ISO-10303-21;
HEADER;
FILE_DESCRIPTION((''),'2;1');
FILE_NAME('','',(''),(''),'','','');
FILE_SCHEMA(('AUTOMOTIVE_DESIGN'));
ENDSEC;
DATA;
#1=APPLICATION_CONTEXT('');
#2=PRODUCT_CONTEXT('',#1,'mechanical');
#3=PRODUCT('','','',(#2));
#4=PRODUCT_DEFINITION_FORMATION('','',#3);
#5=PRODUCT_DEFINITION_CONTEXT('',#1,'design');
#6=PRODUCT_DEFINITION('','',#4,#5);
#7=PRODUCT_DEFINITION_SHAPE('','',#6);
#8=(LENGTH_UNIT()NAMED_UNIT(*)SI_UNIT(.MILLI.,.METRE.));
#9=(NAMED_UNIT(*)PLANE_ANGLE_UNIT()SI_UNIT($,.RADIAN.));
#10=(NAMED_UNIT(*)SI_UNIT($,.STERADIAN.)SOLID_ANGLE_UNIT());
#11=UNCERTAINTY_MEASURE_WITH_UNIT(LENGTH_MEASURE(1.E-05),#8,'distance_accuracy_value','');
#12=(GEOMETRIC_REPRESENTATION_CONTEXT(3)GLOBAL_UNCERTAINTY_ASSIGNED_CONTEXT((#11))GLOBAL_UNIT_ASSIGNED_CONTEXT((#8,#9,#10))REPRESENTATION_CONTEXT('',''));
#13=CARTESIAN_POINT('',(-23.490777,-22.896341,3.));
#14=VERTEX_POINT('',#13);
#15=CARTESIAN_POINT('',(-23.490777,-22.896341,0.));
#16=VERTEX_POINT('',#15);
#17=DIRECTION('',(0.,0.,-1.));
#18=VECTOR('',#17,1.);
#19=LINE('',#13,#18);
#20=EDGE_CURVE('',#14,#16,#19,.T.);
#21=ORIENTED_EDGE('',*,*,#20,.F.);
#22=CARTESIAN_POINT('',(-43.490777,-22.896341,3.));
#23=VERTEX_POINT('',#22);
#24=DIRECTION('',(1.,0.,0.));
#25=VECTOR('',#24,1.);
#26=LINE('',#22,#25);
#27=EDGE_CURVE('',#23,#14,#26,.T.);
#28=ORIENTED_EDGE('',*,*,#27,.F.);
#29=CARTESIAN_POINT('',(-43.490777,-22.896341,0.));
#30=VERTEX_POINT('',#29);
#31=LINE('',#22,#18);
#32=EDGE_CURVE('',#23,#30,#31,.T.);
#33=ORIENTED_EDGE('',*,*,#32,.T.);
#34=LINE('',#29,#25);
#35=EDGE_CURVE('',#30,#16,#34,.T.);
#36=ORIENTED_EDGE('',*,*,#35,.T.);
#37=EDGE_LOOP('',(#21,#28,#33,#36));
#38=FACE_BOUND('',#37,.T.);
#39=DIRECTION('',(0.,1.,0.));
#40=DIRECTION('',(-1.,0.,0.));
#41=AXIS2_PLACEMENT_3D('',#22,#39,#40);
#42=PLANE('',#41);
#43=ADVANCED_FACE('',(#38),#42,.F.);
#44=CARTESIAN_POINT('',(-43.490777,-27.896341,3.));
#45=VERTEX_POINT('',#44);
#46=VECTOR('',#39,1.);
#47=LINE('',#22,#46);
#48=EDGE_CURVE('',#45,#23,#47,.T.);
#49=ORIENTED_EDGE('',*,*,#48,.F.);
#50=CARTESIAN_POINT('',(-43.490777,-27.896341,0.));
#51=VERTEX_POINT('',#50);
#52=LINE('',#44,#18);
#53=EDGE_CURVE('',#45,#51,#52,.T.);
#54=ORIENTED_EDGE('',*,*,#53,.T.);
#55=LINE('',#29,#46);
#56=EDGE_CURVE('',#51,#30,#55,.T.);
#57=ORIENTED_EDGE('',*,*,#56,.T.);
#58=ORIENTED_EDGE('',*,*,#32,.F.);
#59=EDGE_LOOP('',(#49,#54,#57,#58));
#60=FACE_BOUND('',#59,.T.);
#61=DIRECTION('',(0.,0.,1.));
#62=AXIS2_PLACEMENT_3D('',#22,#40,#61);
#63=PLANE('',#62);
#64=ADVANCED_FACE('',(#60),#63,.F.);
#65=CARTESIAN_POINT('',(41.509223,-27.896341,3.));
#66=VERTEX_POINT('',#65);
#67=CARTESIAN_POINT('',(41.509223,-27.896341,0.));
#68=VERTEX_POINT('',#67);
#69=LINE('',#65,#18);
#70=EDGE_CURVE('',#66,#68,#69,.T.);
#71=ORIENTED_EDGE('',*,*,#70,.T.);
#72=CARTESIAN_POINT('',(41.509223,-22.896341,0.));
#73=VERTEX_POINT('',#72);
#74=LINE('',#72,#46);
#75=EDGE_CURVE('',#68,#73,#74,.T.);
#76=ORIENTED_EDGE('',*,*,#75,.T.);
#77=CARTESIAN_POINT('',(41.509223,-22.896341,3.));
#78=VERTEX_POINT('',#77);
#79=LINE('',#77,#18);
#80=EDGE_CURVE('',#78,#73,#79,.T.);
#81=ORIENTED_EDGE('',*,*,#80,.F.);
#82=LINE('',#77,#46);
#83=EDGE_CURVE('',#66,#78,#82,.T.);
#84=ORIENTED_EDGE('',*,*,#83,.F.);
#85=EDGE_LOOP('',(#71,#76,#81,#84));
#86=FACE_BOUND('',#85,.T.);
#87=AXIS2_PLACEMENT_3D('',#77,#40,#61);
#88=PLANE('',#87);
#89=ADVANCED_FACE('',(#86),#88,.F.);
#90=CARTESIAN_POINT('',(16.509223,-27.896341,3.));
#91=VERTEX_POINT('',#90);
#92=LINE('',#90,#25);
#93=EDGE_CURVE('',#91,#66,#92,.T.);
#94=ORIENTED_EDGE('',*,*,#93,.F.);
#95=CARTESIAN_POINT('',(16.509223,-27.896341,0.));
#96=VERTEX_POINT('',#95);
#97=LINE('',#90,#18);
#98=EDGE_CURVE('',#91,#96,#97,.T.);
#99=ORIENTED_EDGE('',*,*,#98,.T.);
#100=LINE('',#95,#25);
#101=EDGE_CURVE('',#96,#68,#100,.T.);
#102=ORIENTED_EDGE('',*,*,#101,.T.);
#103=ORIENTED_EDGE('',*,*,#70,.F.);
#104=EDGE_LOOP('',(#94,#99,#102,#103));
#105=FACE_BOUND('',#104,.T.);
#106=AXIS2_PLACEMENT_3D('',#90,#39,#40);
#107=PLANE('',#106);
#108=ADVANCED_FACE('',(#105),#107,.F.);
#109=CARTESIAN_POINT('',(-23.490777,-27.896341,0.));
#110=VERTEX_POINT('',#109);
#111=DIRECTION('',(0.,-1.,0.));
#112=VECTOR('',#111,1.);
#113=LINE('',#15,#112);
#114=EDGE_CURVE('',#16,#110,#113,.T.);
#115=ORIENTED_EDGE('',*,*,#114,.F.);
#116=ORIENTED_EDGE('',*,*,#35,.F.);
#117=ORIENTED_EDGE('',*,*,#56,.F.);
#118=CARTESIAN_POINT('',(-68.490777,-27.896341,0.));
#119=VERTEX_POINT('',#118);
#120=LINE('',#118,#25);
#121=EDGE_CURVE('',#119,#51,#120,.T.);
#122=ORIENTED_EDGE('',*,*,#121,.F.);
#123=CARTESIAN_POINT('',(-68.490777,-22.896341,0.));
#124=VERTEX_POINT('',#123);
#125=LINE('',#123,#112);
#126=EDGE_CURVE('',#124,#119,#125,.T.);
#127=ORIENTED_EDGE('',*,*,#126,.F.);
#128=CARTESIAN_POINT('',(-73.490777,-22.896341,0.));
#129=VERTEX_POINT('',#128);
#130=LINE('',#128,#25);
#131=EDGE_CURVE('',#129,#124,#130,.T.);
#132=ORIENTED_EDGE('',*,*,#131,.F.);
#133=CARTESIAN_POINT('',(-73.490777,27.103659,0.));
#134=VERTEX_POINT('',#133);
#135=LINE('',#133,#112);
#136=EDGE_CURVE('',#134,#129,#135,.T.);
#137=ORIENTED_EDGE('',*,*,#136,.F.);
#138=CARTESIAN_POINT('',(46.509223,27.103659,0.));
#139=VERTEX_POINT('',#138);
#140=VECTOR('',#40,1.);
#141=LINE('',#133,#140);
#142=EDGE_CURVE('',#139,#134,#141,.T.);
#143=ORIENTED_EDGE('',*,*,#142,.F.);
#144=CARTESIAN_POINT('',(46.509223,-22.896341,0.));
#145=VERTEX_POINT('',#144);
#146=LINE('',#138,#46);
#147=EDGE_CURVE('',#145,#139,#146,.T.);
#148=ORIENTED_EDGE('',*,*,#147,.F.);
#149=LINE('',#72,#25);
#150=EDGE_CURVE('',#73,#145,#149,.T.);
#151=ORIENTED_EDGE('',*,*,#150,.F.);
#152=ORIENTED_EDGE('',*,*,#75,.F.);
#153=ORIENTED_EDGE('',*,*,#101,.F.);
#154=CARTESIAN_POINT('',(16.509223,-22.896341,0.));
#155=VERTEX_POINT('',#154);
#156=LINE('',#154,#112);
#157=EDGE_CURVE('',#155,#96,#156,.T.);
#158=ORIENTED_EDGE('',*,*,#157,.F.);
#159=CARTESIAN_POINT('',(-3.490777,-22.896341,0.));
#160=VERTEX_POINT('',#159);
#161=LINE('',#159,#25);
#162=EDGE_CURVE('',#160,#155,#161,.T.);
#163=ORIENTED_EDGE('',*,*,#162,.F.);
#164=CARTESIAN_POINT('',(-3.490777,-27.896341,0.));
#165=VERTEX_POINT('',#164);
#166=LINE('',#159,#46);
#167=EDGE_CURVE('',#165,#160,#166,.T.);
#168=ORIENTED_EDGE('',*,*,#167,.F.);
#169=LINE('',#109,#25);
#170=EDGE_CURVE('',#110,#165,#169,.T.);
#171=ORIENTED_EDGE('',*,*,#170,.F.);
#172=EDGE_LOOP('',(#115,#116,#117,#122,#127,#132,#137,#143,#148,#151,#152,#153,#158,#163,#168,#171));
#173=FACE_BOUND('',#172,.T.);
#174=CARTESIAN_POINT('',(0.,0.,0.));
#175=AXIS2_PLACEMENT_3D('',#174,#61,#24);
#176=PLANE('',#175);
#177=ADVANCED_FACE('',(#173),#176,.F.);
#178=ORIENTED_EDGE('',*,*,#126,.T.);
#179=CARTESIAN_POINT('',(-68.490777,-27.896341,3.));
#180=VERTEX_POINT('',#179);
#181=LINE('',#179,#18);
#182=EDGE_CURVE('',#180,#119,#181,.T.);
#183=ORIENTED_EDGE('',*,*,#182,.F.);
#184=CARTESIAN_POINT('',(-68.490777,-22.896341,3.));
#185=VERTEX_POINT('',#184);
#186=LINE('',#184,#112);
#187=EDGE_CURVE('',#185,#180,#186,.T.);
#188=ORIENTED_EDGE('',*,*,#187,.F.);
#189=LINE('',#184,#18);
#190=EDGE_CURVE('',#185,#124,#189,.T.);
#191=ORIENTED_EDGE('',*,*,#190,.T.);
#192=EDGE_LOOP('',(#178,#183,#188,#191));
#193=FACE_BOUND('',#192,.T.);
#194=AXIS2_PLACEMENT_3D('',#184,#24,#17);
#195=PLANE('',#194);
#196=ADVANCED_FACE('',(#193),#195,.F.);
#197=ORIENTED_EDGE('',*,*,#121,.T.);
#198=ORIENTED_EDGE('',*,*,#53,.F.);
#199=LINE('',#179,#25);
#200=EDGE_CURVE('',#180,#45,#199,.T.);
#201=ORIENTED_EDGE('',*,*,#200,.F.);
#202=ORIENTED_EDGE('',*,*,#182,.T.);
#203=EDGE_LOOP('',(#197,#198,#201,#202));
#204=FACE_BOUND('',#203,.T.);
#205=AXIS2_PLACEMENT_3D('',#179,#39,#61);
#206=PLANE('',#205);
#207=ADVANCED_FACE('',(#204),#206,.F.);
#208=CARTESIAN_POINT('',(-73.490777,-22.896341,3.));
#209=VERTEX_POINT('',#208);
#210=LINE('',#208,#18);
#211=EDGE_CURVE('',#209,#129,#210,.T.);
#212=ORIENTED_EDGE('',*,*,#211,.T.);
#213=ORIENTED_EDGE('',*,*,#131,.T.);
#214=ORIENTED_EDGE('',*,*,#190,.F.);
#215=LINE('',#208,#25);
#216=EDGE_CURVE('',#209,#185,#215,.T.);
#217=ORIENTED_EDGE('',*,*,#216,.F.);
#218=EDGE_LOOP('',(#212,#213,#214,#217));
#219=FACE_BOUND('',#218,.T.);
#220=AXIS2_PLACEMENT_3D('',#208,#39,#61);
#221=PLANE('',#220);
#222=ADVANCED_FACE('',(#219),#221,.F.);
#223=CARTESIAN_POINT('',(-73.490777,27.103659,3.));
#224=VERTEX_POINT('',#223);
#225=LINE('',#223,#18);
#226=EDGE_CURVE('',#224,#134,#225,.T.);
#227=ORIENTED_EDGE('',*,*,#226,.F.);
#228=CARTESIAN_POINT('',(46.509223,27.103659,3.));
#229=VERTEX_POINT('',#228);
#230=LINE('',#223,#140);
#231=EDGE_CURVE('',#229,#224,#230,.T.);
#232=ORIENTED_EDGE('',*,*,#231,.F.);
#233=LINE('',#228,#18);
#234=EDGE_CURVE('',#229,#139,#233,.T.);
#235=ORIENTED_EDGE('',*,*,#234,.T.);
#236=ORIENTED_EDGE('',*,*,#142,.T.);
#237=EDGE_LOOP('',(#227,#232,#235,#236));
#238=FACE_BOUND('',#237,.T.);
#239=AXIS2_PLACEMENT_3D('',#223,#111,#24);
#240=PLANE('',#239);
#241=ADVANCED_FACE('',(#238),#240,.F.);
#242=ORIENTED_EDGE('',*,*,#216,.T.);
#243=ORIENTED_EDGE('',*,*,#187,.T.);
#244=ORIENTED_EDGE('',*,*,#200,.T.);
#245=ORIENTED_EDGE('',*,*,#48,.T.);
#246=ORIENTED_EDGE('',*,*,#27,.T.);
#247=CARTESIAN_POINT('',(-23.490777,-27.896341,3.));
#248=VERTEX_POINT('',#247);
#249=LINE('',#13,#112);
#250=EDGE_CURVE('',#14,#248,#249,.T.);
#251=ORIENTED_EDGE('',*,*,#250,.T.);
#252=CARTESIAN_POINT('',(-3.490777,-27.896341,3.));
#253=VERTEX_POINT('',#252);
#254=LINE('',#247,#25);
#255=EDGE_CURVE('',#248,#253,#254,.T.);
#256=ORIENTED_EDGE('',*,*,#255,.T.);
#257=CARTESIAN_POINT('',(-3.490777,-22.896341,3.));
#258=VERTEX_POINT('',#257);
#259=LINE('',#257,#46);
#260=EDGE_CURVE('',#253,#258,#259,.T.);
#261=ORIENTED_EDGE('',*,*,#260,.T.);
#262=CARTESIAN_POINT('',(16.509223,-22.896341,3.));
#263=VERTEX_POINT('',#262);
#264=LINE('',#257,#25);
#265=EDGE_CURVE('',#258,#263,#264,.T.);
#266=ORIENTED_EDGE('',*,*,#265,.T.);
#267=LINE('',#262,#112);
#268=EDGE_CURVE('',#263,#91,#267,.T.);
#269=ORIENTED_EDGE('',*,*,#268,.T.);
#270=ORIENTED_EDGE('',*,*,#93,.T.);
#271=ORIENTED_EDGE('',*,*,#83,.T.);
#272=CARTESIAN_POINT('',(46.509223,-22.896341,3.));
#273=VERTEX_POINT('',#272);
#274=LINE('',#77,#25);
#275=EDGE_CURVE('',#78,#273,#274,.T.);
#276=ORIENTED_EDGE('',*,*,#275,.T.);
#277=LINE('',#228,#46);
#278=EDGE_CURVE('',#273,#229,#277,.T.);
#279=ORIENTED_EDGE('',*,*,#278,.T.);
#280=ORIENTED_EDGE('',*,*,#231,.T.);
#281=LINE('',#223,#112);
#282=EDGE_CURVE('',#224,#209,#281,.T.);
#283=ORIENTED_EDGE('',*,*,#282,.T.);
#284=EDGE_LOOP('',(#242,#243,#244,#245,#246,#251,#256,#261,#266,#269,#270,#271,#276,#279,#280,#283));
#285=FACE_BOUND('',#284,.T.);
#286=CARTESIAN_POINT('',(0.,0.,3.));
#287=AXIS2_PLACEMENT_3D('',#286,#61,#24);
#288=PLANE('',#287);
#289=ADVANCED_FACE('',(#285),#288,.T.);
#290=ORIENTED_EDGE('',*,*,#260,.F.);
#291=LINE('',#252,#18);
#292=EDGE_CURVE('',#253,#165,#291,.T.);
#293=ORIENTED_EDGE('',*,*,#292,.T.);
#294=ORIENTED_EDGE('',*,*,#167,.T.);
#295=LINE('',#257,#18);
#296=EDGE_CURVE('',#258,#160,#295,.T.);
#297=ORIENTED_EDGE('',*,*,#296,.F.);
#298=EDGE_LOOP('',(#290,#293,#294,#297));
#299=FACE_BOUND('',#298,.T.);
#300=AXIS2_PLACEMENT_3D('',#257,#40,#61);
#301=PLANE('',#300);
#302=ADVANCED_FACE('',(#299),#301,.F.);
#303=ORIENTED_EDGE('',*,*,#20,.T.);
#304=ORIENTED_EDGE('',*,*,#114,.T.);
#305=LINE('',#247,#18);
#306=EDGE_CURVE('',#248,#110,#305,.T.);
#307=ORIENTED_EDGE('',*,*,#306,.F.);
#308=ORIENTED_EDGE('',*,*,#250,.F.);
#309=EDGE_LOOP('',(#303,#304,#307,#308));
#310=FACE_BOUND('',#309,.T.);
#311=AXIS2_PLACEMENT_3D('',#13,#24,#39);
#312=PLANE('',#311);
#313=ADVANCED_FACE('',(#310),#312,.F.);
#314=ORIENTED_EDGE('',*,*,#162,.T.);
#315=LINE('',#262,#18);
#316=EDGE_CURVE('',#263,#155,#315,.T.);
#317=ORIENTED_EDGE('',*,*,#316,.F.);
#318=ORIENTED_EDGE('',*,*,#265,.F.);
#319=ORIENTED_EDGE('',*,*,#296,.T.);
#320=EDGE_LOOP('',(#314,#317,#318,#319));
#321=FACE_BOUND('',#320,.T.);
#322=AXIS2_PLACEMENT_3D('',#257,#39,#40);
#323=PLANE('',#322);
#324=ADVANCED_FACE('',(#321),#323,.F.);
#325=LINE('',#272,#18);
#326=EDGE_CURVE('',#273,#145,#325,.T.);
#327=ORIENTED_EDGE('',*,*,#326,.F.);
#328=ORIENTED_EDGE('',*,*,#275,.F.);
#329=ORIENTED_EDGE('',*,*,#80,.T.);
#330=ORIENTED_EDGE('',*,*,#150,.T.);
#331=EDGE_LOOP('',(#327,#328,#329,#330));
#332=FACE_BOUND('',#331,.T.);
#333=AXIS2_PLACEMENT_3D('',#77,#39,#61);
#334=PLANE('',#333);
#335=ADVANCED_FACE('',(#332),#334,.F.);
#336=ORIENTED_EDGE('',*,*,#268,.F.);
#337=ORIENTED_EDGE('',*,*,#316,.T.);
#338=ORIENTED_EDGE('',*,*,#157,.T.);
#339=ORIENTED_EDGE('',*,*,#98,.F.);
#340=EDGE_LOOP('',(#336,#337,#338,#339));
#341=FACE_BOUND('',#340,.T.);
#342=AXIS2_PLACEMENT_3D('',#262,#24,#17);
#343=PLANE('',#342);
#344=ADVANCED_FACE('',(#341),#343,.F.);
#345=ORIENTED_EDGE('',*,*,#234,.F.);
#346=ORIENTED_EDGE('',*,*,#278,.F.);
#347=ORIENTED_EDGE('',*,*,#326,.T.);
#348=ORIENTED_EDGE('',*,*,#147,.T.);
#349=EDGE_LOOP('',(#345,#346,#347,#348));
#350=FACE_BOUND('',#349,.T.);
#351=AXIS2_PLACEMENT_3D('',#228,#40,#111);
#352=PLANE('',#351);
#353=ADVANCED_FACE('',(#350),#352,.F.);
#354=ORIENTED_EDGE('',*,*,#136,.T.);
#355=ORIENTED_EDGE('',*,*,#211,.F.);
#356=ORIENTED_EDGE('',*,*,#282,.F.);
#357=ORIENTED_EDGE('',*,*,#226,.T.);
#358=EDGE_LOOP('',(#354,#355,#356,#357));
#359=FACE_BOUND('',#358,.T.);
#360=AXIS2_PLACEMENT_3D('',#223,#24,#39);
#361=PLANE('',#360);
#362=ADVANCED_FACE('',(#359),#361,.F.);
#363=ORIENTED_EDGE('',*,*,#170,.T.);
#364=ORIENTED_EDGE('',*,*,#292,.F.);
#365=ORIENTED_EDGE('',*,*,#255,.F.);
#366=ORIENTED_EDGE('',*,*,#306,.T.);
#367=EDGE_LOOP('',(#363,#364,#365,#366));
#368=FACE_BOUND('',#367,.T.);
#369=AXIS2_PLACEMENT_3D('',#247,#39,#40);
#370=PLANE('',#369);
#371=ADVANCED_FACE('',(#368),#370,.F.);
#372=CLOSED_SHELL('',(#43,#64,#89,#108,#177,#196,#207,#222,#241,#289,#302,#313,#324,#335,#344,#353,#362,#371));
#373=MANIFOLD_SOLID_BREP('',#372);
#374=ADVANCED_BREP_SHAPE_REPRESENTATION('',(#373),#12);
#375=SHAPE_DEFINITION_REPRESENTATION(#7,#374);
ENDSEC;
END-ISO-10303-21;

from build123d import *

# Parameters (mm, degrees)
RESSALTO_EXTRUS_O1_DEPTH = 3


with BuildPart() as part:
    # Esboço1 → Ressalto-extrusão1 (new body)
    with BuildSketch(Plane.XY):
        Polygon((-43.490777312, -22.896341463), (-23.490777312, -22.896341463), (-23.490777312, -27.896341463), (-3.490777312, -27.896341463), (-3.490777312, -22.896341463), (16.509222688, -22.896341463), (16.509222688, -27.896341463), (41.509222688, -27.896341463), (41.509222688, -22.896341463), (46.509222688, -22.896341463), (46.509222688, 27.103658537), (-73.490777312, 27.103658537), (-73.490777312, -22.896341463), (-68.490777312, -22.896341463), (-68.490777312, -27.896341463), (-43.490777312, -27.896341463), align=None)
    extrude(amount=RESSALTO_EXTRUS_O1_DEPTH)


solid = part.part
